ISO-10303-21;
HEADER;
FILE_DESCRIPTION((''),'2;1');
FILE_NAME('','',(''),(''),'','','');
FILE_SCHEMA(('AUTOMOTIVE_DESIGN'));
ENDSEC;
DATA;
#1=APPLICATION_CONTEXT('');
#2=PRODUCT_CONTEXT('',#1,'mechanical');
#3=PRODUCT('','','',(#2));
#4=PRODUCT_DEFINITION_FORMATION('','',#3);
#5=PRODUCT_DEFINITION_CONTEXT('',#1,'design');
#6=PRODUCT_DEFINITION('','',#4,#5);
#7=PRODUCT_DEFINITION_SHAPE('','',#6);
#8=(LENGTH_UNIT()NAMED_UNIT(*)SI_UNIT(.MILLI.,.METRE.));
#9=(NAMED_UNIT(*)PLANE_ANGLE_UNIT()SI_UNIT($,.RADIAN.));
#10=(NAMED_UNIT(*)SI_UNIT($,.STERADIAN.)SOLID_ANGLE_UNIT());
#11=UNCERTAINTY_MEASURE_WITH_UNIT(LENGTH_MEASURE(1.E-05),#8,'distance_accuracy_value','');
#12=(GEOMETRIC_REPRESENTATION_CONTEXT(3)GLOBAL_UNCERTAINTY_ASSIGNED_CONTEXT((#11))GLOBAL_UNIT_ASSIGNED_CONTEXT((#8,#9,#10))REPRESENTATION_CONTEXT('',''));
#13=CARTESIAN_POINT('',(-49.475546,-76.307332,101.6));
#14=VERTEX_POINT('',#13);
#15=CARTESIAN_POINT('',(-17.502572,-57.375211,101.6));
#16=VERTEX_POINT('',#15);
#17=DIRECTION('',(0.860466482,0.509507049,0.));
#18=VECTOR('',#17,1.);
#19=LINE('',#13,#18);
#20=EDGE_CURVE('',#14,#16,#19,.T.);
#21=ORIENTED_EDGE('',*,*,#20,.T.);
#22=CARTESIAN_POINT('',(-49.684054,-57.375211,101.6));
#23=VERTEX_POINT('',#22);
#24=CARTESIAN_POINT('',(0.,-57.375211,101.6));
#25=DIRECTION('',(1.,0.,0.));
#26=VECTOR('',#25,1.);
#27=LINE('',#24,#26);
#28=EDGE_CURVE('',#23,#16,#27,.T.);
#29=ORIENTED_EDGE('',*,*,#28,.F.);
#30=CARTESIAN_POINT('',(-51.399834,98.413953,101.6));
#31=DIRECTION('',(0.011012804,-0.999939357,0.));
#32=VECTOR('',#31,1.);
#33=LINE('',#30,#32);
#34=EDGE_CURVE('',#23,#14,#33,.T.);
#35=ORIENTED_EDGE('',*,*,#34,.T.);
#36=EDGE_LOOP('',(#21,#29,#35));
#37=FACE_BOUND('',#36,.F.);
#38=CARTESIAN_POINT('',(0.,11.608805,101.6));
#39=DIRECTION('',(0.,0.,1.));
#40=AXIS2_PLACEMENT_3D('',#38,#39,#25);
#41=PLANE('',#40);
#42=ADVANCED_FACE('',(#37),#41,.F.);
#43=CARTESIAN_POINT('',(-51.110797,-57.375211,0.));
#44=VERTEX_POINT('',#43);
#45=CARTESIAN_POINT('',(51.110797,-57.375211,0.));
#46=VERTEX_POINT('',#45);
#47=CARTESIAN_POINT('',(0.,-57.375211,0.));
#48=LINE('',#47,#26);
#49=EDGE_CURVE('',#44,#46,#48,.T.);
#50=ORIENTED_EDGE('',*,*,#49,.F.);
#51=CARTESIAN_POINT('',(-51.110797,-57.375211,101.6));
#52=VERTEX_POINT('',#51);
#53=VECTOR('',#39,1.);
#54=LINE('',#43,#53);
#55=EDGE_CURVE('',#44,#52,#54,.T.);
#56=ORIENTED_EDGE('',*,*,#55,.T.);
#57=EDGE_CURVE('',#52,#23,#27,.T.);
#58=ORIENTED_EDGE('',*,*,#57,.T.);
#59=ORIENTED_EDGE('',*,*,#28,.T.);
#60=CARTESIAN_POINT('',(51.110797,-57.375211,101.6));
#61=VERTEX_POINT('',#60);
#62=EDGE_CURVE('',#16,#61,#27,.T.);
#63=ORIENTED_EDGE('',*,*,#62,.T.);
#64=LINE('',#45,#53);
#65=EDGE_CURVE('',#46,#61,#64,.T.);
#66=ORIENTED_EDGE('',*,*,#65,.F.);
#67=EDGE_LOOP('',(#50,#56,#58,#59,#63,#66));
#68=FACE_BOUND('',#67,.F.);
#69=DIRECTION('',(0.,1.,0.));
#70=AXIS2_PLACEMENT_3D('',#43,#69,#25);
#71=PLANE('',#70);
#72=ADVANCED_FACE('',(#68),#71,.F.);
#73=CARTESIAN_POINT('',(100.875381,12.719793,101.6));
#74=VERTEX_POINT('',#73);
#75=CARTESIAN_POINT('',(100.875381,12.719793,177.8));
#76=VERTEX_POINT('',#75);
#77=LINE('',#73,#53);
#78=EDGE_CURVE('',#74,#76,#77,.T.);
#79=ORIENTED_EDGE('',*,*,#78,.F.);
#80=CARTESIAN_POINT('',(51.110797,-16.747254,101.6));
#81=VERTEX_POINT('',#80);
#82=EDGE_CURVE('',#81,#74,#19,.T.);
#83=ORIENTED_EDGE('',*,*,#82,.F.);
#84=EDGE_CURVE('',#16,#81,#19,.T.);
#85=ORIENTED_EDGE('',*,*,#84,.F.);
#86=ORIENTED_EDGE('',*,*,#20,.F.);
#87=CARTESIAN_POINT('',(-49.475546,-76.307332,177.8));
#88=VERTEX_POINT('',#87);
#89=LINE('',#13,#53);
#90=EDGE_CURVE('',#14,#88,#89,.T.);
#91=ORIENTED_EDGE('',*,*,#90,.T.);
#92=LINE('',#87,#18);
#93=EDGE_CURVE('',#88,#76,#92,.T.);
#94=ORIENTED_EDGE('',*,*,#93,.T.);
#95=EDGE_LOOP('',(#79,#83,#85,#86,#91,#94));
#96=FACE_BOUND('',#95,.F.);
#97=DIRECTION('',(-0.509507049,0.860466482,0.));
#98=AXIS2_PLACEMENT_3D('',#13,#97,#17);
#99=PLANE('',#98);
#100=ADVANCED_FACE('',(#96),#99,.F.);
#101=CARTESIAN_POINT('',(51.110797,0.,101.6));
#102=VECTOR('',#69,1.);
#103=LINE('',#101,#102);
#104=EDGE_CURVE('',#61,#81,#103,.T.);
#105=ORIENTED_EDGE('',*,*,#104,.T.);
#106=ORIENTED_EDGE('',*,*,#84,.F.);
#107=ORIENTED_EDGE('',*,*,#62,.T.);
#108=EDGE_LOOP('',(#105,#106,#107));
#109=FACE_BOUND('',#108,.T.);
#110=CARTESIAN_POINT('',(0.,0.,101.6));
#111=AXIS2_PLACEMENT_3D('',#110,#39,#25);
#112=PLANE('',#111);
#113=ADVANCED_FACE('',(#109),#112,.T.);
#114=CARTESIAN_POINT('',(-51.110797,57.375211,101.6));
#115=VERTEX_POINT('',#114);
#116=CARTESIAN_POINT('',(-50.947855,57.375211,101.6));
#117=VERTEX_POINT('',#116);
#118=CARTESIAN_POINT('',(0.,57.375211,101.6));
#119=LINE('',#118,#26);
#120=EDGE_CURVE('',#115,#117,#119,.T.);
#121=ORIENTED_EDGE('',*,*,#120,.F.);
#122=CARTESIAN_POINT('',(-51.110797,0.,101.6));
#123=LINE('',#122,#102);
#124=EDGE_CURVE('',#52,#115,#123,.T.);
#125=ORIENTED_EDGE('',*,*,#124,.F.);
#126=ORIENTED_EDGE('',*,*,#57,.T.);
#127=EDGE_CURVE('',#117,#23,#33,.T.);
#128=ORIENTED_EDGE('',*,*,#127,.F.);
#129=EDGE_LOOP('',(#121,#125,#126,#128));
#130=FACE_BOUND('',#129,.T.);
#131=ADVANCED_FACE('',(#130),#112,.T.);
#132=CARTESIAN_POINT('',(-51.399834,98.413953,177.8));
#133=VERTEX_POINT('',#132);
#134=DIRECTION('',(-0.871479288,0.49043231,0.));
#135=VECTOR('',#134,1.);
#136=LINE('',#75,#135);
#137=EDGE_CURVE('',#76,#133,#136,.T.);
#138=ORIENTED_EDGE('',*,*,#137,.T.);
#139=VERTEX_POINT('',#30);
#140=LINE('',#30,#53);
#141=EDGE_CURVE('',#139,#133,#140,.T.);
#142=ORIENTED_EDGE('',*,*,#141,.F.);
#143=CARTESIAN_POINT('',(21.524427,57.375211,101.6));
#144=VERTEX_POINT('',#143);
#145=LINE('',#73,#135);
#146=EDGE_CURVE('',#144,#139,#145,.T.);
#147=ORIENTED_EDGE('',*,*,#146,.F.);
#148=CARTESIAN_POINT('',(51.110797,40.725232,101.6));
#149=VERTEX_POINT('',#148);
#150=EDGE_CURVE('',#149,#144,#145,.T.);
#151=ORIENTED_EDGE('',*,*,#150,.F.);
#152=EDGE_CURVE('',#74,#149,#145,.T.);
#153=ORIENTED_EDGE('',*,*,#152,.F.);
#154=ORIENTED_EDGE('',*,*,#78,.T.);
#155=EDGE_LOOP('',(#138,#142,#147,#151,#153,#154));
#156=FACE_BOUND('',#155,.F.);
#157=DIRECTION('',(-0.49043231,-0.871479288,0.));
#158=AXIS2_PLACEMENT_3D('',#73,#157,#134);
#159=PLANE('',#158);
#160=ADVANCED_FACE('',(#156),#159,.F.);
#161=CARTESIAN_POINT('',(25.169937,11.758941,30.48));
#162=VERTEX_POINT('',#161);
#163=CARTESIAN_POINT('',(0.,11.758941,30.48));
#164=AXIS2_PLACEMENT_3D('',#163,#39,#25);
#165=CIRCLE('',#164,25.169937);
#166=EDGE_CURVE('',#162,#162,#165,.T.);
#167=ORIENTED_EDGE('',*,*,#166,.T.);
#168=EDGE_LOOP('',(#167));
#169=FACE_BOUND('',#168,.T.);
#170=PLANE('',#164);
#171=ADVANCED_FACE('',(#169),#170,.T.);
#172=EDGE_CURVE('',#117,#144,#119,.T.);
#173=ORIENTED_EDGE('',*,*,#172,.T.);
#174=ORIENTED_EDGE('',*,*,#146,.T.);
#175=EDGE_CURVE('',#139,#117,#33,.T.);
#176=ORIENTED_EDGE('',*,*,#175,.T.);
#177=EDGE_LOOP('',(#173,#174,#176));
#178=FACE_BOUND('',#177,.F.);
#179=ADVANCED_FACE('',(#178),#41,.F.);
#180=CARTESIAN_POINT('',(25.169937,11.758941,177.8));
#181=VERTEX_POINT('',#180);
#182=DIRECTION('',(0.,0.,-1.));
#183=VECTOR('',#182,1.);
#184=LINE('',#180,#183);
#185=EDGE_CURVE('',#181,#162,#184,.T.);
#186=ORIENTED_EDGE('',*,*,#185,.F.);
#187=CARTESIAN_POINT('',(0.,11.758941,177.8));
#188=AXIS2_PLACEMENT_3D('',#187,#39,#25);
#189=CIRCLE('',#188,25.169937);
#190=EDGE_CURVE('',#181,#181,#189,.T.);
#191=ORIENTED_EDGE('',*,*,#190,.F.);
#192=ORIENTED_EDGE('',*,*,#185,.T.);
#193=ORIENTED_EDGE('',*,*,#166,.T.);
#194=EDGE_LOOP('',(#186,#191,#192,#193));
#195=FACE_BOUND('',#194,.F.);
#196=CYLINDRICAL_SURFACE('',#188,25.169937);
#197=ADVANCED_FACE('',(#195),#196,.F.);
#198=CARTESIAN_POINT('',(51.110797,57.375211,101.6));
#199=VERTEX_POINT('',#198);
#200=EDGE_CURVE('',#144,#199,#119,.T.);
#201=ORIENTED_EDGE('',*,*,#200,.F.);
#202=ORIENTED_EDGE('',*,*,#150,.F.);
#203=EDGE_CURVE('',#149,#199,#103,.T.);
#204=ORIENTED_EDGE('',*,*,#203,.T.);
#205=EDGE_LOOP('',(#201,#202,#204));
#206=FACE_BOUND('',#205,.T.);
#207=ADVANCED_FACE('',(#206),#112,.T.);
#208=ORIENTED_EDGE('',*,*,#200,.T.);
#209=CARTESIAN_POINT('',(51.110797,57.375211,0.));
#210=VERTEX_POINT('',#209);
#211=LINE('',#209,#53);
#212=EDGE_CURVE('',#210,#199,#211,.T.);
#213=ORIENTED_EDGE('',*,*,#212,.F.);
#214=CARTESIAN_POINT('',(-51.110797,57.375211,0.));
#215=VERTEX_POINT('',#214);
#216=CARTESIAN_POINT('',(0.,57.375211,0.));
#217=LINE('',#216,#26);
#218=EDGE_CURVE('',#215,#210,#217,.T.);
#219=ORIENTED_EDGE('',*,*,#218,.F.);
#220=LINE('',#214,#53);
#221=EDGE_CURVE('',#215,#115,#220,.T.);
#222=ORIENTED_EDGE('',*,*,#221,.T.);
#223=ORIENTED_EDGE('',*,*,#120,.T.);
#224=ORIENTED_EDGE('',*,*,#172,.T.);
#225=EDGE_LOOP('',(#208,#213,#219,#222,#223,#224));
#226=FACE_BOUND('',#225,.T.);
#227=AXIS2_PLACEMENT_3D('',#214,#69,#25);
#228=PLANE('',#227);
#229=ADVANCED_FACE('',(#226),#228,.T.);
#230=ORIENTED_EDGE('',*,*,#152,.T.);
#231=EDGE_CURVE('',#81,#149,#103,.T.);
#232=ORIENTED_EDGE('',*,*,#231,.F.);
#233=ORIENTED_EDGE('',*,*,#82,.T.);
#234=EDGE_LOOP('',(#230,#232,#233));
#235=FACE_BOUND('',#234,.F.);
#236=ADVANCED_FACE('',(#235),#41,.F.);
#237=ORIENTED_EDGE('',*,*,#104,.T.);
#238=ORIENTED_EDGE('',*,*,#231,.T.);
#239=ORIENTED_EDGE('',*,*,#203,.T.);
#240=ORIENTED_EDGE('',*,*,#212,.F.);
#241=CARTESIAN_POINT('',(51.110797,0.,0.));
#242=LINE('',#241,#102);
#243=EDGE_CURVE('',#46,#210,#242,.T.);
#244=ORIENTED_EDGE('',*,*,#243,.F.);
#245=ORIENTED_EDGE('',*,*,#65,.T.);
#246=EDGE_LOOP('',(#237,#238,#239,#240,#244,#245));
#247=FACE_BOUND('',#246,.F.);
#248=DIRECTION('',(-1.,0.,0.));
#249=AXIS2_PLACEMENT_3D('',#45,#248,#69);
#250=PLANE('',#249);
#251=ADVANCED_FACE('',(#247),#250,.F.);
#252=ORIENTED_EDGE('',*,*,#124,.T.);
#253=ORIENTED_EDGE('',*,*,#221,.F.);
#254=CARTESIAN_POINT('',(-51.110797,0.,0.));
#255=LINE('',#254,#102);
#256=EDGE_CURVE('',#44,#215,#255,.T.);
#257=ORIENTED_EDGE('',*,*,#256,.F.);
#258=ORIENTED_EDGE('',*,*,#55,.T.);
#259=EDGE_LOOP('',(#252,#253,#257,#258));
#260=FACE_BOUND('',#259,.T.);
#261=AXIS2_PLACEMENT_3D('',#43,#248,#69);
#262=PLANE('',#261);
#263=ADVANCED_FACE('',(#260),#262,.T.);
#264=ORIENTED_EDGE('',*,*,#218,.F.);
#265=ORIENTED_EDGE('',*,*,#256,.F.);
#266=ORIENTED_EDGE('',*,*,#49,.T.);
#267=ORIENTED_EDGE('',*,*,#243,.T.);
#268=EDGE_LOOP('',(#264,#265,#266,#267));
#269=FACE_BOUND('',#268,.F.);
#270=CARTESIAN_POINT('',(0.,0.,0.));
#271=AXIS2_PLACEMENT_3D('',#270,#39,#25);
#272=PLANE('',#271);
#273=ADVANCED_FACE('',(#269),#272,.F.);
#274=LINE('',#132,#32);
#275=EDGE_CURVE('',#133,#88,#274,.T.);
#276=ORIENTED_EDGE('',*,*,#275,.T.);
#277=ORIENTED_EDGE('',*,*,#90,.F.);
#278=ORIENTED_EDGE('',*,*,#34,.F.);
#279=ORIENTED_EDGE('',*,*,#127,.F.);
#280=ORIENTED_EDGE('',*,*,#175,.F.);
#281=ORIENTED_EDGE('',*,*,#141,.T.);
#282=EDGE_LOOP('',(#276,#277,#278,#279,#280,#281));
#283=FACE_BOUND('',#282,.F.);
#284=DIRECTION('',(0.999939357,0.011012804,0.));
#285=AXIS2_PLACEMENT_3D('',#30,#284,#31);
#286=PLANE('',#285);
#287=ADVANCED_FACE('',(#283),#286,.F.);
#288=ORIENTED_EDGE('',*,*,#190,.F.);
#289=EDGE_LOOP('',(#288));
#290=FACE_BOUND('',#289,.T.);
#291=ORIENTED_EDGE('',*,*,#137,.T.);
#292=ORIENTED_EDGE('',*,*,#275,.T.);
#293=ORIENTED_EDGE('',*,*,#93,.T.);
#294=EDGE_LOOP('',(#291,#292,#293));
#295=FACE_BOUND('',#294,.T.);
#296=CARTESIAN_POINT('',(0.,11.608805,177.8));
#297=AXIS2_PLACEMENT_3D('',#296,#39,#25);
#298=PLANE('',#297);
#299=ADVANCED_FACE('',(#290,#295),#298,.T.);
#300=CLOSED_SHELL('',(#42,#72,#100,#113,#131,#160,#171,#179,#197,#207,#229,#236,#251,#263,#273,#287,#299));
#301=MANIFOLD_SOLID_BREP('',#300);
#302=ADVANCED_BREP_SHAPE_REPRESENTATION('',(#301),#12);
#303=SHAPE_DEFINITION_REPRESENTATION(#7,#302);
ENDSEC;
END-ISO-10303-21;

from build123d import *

# Parameters (mm, degrees)
F0_W     = 102.221594
F0_H     = 114.750422
F1_DEPTH = 101.6
F3_DEPTH = 76.2
F4_R     = 25.169937
F5_DEPTH = 147.32


with BuildPart() as f1:
    # F0 (on Top) → F1 (new body)
    with BuildSketch(Plane.XY):
        Rectangle(F0_W, F0_H)
    extrude(amount=F1_DEPTH)

    # F2 (on face) → F3 (join)
    with BuildSketch(Plane.XY.offset(101.6)):
        Polygon((-49.475546, -76.307332), (100.875381, 12.719793), (-51.399834, 98.413953), align=None)
    extrude(amount=F3_DEPTH)

    # F4 (on face) → F5 (cut)
    with BuildSketch(Plane.XY.offset(177.8)):
        with Locations((0, 11.758941)):
            Circle(F4_R)
    extrude(amount=-F5_DEPTH, mode=Mode.SUBTRACT)


solid = f1.part
